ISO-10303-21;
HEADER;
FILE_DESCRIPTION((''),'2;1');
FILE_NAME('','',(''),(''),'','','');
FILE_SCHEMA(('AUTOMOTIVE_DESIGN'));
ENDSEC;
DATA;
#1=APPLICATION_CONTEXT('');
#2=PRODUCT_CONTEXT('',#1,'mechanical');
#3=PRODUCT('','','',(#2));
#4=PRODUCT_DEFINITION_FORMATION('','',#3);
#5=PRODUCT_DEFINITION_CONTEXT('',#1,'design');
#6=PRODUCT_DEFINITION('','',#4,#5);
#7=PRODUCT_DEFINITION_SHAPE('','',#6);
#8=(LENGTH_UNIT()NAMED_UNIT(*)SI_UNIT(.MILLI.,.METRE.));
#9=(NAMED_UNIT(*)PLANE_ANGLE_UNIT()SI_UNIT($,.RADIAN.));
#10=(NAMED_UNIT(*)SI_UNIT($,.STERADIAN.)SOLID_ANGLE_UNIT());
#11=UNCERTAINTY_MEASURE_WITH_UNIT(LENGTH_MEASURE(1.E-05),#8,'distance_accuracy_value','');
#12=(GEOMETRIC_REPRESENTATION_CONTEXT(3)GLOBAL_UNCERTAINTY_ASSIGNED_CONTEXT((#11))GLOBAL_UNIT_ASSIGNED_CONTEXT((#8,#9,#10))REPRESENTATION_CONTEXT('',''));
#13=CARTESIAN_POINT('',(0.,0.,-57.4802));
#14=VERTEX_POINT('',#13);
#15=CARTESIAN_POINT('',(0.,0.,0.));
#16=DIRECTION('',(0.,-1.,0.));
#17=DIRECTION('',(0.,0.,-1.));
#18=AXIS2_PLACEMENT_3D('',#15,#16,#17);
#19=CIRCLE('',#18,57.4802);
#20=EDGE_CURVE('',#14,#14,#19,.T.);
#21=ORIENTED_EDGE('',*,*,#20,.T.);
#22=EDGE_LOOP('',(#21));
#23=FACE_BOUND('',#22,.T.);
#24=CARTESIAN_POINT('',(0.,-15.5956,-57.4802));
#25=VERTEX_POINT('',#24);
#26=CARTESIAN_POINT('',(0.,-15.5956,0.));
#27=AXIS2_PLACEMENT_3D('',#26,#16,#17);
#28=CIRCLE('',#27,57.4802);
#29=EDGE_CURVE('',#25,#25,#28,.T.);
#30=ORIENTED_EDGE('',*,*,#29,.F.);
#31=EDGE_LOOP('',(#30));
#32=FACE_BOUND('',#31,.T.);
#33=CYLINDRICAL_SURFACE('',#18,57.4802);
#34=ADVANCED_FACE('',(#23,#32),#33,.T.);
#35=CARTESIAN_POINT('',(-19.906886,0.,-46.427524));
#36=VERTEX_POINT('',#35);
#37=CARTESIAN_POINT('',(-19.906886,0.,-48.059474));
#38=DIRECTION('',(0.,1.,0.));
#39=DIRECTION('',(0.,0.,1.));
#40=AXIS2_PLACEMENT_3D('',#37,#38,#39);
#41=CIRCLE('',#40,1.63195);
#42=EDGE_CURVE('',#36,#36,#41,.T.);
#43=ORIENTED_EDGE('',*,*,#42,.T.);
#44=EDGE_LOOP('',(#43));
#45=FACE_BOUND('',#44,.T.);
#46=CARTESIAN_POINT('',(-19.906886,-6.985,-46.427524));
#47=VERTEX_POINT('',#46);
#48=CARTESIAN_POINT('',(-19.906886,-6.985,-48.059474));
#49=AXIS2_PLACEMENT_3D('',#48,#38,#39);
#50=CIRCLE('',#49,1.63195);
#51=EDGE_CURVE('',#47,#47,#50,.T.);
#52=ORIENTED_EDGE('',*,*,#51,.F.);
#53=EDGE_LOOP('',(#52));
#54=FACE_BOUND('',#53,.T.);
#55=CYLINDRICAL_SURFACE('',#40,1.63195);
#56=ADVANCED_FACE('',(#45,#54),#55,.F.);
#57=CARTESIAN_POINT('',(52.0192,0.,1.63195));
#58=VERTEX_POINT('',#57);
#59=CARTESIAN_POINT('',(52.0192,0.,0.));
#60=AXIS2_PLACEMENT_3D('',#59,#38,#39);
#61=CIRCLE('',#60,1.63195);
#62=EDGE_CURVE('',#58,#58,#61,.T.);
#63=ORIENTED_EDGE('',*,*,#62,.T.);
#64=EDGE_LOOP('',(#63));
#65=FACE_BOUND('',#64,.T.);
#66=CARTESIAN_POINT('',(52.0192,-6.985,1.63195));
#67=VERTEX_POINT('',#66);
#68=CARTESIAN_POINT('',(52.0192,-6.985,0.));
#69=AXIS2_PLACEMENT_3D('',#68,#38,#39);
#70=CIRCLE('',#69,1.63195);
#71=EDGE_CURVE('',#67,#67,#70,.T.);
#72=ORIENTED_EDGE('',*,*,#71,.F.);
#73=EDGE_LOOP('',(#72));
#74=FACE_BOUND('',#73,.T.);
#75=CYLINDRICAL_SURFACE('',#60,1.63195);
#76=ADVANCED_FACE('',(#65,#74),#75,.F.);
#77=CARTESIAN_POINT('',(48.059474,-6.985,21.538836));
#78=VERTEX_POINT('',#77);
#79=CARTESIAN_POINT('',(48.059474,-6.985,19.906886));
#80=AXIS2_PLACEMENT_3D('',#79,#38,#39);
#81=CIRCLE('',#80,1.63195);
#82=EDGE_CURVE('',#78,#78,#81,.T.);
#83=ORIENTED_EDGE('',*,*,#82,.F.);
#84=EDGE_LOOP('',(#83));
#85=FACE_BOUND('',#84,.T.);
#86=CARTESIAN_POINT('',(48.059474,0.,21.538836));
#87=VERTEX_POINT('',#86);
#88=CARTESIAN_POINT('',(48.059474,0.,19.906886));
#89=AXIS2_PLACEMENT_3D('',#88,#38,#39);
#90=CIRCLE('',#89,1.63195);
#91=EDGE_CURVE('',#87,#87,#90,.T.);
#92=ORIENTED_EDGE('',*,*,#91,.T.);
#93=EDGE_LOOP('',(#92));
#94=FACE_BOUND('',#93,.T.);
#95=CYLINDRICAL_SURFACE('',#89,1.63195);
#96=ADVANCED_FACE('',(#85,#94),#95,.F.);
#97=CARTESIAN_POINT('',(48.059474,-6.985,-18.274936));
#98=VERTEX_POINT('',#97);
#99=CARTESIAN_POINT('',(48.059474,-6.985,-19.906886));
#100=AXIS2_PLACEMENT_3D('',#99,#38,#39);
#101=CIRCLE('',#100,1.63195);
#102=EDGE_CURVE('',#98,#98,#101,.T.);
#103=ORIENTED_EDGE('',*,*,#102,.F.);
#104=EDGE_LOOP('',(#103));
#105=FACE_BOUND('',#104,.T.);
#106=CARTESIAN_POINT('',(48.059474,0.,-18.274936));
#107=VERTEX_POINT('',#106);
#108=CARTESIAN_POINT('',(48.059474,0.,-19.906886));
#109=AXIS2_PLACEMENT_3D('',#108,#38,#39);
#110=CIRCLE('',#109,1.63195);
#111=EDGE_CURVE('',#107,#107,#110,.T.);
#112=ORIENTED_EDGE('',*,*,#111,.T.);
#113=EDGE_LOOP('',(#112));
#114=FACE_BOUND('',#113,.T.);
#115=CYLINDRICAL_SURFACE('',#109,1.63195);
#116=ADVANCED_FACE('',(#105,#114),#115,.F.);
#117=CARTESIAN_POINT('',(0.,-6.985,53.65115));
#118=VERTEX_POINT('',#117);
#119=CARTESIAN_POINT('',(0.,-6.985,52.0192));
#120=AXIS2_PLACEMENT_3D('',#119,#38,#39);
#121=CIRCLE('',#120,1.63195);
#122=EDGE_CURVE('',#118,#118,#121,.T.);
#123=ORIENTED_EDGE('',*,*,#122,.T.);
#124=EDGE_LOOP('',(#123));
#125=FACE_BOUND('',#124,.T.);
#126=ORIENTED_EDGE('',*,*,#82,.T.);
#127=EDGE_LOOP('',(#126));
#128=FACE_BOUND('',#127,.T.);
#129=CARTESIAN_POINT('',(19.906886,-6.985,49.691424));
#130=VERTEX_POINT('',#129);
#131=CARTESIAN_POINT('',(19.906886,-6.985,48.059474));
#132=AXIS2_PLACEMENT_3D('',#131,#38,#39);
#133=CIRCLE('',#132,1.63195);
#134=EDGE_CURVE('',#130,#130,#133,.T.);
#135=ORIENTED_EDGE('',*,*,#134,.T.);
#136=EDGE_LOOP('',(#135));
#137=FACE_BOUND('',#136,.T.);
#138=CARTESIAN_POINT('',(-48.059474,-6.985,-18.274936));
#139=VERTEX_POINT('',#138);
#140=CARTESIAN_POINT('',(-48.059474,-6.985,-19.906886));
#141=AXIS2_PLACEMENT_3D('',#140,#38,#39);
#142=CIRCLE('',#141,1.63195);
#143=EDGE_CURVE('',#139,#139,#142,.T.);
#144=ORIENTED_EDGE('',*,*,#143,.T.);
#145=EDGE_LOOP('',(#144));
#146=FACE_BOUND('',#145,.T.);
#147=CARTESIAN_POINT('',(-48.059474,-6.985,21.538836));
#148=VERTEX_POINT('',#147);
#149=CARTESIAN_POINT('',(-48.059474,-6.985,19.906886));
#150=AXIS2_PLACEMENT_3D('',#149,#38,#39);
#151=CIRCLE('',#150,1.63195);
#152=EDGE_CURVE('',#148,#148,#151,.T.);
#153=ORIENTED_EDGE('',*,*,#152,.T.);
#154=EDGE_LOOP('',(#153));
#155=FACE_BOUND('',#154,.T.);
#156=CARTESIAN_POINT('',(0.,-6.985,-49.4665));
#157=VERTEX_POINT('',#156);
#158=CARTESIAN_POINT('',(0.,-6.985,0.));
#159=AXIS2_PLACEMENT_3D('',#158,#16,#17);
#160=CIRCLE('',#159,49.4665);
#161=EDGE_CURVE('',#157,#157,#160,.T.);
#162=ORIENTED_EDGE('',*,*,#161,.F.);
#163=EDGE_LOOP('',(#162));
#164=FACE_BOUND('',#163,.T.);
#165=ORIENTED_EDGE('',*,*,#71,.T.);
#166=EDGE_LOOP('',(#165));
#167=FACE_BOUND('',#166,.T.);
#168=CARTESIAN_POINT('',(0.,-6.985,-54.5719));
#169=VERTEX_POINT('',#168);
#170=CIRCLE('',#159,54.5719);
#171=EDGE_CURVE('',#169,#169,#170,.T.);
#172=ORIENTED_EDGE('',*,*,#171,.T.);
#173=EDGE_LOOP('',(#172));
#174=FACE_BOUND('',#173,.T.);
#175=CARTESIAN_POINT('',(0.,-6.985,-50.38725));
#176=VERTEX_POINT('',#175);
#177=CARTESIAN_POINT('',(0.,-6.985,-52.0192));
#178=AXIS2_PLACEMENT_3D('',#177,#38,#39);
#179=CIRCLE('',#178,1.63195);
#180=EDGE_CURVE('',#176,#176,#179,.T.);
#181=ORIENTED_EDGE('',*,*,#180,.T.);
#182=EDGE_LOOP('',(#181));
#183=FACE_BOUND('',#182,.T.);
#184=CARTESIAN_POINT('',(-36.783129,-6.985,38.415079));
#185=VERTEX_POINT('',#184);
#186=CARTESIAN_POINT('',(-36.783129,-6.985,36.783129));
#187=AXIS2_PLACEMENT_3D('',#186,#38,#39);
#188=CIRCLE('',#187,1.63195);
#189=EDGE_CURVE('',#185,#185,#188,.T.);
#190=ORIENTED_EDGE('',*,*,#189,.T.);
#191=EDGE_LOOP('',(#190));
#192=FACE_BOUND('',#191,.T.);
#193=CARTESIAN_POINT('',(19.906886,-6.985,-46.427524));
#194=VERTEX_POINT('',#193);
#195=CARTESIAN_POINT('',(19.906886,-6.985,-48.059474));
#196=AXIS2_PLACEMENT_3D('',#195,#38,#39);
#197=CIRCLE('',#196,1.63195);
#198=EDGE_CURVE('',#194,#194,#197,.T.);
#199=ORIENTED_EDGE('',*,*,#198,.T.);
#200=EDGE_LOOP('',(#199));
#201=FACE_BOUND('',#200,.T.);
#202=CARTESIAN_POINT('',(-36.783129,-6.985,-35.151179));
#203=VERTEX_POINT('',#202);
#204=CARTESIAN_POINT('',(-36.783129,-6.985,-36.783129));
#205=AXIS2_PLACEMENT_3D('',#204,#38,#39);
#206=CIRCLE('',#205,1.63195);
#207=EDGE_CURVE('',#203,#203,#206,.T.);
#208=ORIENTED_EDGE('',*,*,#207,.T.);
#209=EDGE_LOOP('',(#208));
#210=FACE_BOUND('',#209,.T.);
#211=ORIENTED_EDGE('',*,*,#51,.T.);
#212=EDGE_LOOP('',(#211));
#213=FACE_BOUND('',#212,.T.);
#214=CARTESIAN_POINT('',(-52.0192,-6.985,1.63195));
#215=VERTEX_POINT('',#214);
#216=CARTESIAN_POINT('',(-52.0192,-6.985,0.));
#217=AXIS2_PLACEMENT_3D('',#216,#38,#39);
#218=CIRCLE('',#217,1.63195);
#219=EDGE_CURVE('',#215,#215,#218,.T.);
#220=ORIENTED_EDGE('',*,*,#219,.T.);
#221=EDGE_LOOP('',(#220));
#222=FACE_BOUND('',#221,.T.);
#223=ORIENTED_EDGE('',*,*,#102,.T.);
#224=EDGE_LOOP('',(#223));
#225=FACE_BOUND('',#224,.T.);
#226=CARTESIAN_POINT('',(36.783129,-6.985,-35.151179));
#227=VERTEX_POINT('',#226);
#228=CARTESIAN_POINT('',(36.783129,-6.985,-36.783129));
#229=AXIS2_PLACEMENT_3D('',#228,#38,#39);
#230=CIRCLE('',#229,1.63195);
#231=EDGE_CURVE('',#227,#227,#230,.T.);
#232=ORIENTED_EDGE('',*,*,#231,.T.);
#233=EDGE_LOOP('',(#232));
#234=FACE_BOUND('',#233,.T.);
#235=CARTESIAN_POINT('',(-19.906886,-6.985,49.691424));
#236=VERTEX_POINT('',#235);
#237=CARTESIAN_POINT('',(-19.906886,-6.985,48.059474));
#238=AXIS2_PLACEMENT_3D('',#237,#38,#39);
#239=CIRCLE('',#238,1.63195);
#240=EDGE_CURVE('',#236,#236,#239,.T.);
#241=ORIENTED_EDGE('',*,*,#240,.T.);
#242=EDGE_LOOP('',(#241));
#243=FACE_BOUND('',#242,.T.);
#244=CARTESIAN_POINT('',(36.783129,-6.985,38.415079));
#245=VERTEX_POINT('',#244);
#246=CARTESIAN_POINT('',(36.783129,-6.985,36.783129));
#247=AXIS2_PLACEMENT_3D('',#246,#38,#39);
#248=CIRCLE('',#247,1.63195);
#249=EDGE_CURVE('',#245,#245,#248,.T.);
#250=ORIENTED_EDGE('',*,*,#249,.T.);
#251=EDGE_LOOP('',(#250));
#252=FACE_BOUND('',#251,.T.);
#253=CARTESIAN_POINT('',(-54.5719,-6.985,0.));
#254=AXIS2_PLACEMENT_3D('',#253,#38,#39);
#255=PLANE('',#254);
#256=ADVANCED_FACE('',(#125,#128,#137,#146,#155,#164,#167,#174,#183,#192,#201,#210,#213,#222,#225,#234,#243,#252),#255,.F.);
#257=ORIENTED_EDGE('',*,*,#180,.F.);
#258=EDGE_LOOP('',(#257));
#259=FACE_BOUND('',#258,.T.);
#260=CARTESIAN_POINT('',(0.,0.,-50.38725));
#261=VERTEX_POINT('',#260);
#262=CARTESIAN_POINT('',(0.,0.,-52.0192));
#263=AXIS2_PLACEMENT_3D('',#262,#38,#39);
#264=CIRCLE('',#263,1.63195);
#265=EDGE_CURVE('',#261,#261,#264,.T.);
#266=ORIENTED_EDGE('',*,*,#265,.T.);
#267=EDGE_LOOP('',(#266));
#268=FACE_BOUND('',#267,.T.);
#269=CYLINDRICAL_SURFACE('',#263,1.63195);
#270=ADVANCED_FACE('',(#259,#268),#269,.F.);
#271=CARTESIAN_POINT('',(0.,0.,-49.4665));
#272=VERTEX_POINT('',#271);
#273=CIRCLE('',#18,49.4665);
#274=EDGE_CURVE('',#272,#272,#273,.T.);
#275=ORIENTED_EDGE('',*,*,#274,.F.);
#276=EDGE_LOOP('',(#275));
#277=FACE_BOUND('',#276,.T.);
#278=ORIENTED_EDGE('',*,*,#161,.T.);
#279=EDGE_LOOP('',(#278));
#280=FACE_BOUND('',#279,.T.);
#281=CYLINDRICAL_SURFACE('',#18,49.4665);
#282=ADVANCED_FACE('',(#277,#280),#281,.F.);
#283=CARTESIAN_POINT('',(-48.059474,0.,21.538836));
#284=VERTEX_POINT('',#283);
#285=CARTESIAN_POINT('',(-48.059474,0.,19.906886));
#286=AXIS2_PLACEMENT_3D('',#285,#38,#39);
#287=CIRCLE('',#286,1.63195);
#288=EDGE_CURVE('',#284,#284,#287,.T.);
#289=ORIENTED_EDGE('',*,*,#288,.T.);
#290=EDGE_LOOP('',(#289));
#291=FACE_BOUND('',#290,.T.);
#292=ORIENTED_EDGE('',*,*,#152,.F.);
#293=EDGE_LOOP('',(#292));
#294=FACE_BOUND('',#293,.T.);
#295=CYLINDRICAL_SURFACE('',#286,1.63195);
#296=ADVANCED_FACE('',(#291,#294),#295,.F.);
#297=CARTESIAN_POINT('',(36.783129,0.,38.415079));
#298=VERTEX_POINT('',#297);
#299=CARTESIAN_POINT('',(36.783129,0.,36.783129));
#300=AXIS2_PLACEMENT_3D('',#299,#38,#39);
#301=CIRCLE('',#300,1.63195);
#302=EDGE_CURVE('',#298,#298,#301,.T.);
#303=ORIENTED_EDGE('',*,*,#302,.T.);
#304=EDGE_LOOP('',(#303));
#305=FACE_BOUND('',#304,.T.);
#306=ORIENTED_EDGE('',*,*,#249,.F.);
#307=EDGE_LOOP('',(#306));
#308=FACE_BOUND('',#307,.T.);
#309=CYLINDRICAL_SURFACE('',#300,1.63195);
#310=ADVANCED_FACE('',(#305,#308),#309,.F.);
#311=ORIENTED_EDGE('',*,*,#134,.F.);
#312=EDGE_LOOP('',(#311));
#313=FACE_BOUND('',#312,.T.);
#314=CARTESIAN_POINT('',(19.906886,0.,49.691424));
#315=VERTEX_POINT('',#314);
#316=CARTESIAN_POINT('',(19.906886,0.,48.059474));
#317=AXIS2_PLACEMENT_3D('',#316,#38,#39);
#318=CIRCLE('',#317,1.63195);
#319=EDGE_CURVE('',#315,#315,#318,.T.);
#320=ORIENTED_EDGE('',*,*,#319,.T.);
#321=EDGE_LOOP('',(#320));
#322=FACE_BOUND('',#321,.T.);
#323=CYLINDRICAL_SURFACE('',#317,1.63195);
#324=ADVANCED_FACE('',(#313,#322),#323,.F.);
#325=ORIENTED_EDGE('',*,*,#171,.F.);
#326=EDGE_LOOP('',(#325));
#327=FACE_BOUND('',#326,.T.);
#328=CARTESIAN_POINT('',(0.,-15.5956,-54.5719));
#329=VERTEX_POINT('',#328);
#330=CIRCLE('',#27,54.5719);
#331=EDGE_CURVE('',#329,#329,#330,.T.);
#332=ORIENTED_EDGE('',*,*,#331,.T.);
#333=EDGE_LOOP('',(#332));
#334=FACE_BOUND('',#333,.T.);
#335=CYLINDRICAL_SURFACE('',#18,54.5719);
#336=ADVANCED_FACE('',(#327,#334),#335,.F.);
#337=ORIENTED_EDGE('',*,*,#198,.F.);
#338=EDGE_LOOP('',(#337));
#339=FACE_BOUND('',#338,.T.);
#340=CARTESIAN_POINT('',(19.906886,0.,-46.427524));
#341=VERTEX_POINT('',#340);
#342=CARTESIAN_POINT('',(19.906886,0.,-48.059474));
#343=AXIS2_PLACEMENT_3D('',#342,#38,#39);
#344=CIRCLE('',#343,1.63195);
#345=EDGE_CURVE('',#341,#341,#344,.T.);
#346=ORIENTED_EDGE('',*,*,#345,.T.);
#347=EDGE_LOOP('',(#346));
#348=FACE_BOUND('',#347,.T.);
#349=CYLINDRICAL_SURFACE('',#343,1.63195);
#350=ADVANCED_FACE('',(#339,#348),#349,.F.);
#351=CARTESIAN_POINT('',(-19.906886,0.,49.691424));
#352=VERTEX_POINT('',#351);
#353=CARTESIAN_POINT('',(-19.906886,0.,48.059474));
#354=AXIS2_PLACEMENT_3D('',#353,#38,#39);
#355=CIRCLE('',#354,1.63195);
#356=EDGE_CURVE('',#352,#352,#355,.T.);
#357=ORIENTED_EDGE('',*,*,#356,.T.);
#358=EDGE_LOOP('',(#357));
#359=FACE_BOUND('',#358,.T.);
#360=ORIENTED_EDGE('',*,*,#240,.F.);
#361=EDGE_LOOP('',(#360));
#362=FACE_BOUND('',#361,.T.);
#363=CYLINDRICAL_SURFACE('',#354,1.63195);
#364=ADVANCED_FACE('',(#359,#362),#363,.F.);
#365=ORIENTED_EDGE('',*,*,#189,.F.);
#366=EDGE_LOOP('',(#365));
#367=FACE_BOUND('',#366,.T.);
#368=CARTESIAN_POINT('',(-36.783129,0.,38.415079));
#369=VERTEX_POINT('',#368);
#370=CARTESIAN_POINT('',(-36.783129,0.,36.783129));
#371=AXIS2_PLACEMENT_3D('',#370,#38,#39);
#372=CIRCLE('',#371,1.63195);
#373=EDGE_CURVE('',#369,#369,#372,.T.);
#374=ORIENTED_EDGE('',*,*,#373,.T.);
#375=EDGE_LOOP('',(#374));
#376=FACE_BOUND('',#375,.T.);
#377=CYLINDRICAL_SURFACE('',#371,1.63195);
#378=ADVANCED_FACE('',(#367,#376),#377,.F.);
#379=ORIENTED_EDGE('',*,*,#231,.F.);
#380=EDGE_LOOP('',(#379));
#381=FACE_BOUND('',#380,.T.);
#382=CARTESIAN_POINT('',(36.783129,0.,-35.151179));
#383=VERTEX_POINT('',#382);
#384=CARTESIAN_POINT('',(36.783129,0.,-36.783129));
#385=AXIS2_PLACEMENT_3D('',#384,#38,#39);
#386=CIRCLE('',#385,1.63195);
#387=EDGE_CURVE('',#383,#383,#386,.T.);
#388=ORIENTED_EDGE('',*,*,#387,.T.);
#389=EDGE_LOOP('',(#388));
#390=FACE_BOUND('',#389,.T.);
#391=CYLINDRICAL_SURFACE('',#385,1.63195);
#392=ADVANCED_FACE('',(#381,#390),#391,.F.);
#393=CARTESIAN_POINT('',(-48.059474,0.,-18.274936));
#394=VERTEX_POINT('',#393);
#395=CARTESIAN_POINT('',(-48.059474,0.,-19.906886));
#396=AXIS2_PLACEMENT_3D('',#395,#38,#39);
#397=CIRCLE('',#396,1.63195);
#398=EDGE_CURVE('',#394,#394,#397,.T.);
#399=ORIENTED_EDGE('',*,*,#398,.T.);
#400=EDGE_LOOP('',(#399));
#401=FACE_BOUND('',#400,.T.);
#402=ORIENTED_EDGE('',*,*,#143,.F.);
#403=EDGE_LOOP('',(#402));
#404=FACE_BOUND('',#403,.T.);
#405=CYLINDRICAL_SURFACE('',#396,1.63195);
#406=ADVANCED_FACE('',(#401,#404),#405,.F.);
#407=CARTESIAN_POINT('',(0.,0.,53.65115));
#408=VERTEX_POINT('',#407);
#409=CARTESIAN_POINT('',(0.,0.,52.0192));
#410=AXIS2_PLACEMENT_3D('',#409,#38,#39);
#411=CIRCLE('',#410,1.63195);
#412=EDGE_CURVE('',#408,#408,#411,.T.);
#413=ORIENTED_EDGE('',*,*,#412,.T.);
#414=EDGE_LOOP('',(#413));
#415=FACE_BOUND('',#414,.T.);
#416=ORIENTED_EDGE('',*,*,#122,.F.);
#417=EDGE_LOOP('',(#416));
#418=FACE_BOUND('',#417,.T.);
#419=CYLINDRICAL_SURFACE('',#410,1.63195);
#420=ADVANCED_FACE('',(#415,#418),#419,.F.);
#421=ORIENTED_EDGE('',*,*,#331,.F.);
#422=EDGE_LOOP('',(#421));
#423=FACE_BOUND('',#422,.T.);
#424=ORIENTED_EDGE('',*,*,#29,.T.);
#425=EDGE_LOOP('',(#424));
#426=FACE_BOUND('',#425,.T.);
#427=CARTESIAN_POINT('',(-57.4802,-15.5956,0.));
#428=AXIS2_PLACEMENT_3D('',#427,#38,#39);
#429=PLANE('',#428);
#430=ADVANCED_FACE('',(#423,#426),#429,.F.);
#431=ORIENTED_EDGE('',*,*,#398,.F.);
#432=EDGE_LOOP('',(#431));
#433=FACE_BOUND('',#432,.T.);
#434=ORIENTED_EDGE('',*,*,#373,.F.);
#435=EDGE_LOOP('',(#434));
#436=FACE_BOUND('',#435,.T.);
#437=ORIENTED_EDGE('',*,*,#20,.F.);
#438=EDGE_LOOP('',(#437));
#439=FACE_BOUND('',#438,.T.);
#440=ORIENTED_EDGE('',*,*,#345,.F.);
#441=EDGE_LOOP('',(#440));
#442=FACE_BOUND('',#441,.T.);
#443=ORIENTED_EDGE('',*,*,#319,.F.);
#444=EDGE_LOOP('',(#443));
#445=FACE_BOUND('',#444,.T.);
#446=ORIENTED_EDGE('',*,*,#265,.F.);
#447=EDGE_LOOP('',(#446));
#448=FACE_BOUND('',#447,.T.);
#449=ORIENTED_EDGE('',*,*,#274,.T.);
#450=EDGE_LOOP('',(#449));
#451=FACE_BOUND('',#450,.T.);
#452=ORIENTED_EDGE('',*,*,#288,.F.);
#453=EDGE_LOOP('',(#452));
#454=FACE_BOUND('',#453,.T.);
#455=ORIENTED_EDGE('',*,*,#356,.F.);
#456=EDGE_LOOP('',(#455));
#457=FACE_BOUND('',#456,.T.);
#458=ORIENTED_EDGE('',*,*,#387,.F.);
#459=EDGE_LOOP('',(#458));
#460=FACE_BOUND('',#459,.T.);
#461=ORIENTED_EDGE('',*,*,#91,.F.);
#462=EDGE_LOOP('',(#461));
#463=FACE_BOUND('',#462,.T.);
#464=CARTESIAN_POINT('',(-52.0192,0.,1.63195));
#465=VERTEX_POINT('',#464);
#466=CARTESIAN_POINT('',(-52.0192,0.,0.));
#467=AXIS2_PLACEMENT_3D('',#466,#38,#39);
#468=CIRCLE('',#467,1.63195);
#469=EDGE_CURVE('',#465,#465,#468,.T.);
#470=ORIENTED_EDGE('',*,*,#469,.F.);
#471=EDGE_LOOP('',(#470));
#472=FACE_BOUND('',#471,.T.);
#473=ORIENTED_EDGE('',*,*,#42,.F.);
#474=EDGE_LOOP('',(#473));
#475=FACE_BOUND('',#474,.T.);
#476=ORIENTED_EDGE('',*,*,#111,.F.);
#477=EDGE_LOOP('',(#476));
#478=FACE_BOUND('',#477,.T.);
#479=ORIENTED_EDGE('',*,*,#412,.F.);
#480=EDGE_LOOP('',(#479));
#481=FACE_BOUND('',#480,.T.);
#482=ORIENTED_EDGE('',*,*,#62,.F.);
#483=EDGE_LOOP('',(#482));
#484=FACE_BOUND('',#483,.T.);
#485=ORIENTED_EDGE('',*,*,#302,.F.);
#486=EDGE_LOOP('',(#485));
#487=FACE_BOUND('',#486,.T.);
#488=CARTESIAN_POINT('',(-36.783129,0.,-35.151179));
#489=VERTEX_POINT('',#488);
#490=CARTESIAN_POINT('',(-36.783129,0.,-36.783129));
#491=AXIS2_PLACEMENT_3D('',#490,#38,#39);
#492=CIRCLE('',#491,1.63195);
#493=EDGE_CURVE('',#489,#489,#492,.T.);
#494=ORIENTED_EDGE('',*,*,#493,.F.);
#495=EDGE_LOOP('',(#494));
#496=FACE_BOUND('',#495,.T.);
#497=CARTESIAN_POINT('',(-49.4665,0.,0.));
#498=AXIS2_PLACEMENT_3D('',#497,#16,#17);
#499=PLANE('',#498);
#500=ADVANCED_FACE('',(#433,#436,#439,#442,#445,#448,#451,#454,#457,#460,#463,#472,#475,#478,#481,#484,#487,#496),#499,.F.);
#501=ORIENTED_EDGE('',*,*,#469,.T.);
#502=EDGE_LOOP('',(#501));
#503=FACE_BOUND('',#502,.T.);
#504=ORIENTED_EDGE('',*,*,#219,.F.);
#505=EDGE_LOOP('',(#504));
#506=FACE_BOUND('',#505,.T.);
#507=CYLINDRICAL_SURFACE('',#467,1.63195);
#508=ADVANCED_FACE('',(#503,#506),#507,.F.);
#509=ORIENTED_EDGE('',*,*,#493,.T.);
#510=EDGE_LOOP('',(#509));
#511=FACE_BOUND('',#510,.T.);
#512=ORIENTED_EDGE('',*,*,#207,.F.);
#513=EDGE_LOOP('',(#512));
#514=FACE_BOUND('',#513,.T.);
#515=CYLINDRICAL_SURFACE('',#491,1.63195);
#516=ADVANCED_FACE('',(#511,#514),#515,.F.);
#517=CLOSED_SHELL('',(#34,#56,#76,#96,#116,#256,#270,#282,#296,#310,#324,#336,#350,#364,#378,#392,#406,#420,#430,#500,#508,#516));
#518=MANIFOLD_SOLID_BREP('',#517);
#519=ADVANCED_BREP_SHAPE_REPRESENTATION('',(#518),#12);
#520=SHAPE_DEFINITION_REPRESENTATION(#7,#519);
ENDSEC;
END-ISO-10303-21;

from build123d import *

# Parameters (mm, degrees)
CIRPATTERN1_COUNT = 16


with BuildPart() as part:
    # Sketch1 → Revolve1 (revolve)
    with BuildSketch(Plane.XY, mode=Mode.PRIVATE) as revolve1_sk:
        Polygon((-49.4665, 0), (-57.4802, 0), (-57.4802, -15.5956), (-54.5719, -15.5956), (-54.5719, -6.985), (-49.4665, -6.985), align=None)
    revolve(revolve1_sk.sketch.rotate(Axis((0, 0, 0), (0, 1, 0)), 270), axis=Axis((0, 0, 0), (0, 1, 0)))

    # Sketch3 → #4 Clearance Hole1 (revolve, cut)
    with BuildSketch(Plane(origin=(0, 0, -52.0192), x_dir=(0, 0, 1), z_dir=(1, 0, 0))):
        Polygon((0, 0), (0, 11.140574487), (1.63195, 10.16), (1.63195, 0), align=None)
    f_4_clearance_hole1 = revolve(axis=Axis((0, 6.35, -52.0192), (0, -1, 0)), mode=Mode.SUBTRACT)

    # CirPattern1: #4 Clearance Hole1 ×16 about axis
    cirpattern1_axis = Axis((0, 0, 0), (0, 1, 0))
    for i in range(1, CIRPATTERN1_COUNT):
        add(f_4_clearance_hole1.rotate(cirpattern1_axis, i * 360 / CIRPATTERN1_COUNT), mode=Mode.SUBTRACT)


solid = part.part
